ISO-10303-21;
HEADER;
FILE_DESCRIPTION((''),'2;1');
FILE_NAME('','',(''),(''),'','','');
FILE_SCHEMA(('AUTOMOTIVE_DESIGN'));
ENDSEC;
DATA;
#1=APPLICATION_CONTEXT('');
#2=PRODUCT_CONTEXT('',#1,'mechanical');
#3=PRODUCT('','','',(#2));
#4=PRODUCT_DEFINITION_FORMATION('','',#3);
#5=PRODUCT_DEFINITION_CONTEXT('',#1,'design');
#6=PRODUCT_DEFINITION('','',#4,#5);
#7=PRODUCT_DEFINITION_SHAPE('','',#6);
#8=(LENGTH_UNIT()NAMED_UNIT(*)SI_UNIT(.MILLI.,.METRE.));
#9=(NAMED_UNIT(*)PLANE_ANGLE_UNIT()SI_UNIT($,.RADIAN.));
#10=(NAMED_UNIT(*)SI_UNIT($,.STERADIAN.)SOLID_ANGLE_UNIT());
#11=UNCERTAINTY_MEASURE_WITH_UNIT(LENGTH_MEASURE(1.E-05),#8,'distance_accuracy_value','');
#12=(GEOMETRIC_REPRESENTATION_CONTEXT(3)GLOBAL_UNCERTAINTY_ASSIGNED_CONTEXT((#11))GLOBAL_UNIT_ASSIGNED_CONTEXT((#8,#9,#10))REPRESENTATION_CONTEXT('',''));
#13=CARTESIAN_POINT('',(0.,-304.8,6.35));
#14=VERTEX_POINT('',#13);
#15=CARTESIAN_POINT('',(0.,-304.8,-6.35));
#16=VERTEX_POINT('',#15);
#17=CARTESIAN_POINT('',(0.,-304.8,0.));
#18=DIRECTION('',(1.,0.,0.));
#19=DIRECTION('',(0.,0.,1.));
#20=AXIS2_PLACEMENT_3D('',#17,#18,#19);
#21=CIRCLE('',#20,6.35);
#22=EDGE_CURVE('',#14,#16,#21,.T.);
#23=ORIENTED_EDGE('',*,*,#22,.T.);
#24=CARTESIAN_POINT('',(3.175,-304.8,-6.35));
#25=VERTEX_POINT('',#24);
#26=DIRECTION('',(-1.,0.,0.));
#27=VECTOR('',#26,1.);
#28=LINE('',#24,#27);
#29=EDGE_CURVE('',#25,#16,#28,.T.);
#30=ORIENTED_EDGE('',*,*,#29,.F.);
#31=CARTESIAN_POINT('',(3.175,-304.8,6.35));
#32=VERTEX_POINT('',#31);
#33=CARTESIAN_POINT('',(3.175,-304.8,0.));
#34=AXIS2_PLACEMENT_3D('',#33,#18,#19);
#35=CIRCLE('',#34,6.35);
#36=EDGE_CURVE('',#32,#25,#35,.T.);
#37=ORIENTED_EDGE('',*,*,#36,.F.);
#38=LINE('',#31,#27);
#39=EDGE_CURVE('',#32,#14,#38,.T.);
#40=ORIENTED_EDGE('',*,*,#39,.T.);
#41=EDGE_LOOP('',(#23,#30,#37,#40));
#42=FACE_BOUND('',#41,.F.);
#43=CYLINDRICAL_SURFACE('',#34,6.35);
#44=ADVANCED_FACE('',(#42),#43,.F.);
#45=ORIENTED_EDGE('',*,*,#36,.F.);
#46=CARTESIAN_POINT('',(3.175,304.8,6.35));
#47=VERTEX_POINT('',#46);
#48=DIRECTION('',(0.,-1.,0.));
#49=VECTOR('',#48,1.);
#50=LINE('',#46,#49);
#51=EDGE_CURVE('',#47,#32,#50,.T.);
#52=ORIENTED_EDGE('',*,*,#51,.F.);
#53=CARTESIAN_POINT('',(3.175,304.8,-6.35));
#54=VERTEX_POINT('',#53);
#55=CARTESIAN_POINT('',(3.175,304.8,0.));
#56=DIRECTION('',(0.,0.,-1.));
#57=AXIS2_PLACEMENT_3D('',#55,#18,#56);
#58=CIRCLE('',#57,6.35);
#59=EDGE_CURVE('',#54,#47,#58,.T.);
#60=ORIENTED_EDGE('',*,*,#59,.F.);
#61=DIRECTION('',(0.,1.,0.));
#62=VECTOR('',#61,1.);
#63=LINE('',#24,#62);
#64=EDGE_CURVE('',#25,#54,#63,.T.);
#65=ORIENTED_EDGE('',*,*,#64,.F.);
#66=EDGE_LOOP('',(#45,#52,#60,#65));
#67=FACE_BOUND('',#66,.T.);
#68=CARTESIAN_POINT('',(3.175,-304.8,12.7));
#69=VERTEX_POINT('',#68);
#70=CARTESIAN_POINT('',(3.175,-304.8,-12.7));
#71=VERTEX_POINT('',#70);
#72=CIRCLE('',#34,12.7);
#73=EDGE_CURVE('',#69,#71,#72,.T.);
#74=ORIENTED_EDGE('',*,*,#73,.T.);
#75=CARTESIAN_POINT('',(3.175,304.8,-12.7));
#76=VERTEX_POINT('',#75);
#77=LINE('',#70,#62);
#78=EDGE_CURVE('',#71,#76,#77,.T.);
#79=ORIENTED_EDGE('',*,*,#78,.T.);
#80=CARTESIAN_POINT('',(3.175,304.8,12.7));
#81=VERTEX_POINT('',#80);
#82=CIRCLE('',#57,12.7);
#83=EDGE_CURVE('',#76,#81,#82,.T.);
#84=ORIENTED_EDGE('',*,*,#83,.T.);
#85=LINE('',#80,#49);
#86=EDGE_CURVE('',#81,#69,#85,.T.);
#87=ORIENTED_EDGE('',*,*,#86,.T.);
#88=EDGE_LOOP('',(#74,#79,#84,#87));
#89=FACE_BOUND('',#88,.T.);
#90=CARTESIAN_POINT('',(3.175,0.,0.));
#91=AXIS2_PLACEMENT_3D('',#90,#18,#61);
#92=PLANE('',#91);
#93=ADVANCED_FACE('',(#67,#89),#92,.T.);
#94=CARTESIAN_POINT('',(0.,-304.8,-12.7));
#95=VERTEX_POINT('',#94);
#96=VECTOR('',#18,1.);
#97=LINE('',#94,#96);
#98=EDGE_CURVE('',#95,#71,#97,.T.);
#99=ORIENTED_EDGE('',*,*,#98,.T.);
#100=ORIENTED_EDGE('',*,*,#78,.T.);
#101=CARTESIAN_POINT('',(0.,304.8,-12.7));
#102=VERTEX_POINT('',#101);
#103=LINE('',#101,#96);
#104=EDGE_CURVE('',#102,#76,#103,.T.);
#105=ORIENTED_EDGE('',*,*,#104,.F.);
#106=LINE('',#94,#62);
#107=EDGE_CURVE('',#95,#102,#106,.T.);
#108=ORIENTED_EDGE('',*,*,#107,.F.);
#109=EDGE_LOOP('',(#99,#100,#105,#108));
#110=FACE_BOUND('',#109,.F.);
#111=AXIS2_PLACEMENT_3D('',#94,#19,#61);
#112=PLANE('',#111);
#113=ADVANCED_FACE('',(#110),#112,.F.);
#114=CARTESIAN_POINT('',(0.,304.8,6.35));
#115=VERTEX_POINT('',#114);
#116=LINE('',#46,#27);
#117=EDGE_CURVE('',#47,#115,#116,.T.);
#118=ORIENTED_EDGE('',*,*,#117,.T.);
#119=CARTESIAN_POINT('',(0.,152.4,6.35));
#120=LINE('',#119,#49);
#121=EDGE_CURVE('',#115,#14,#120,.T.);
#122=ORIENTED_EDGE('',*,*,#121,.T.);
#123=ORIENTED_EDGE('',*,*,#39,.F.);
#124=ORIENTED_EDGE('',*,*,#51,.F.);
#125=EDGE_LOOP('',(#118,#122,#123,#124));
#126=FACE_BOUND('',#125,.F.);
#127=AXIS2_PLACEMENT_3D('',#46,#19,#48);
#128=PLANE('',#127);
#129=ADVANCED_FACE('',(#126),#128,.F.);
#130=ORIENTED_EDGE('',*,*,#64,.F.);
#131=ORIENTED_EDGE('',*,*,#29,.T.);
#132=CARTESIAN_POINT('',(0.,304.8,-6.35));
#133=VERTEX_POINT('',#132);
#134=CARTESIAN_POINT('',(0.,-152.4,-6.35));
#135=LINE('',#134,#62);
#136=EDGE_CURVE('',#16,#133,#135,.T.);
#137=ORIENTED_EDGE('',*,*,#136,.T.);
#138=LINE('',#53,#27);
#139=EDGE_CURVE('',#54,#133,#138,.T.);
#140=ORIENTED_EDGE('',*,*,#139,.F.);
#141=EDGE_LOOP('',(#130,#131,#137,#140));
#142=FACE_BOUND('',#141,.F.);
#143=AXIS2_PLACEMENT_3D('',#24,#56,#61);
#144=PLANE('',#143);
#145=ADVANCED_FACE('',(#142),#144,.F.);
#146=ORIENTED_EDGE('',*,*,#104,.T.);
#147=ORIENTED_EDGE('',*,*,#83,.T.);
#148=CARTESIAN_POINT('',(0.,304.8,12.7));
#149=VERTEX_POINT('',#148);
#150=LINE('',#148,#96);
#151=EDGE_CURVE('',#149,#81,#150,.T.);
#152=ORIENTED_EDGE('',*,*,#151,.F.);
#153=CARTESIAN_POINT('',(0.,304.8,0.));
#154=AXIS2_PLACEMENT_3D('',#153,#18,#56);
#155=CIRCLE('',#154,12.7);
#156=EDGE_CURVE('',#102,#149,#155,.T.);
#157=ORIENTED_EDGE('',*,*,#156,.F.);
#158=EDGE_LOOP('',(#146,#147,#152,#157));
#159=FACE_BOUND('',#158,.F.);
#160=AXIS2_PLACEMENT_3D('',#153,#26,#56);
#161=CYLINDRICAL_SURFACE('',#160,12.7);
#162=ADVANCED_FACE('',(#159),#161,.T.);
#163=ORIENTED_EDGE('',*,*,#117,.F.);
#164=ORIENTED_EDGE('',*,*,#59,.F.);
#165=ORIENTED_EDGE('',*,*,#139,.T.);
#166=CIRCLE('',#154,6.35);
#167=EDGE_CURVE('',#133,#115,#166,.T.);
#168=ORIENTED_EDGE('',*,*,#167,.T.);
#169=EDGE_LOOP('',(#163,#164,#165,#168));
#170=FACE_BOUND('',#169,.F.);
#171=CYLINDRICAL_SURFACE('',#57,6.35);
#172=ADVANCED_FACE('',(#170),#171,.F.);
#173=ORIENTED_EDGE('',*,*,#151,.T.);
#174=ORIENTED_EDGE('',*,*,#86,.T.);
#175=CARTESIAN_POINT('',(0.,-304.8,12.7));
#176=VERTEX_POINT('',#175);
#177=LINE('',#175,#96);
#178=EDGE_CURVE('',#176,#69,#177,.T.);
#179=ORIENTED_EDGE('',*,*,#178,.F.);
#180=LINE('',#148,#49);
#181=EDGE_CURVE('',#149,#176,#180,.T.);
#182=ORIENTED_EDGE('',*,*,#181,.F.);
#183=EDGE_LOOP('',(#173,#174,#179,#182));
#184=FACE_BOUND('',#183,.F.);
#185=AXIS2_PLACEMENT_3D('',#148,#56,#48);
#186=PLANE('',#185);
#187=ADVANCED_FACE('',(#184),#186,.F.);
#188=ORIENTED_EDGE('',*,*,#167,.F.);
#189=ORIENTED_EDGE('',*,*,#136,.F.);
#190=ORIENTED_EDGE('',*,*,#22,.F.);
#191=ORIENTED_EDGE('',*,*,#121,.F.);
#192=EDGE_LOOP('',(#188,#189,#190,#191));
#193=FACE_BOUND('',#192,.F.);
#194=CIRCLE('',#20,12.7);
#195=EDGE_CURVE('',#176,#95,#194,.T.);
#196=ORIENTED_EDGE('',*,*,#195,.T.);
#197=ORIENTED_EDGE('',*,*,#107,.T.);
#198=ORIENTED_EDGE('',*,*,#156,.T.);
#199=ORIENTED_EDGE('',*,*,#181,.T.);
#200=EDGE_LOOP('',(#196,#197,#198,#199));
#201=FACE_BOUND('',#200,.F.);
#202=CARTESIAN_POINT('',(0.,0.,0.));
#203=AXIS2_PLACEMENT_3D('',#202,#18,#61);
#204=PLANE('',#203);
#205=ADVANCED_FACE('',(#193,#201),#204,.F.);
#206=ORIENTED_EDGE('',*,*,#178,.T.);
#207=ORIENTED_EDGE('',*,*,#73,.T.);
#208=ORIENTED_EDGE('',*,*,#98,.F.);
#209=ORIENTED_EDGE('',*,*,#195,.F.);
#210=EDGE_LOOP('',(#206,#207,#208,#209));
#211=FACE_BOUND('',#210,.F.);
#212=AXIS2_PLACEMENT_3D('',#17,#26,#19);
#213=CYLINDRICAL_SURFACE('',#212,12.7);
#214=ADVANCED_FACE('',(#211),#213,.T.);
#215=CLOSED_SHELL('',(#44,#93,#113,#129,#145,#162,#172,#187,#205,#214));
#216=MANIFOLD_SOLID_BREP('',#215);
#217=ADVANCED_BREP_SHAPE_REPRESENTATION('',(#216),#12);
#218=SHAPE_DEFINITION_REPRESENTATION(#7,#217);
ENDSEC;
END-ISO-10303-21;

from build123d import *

# Parameters (mm, degrees)
F1_DEPTH = 3.175
F3_DEPTH = 209.804


with BuildPart() as f1:
    # F0 (on Right) → F1 (new body)
    with BuildSketch(Plane.YZ):
        with BuildLine():
            Line((304.8, 12.7), (0, 12.7))
            Line((0, 12.7), (-304.8, 12.7))
            ThreePointArc((-304.8, 12.7), (-317.5, 0), (-304.8, -12.7))
            Line((-304.8, -12.7), (0, -12.7))
            Line((0, -12.7), (304.8, -12.7))
            ThreePointArc((304.8, -12.7), (317.5, 0), (304.8, 12.7))
        make_face()
    extrude(amount=F1_DEPTH)

    # F2 (on face) → F3 (cut)
    with BuildSketch(Plane.YZ.offset(3.175)):
        with BuildLine():
            ThreePointArc((-304.8, 6.35), (-311.15, 0), (-304.8, -6.35))
            Line((-304.8, -6.35), (304.8, -6.35))
            ThreePointArc((304.8, -6.35), (311.15, 0), (304.8, 6.35))
            Line((304.8, 6.35), (-304.8, 6.35))
        make_face()
    extrude(amount=-F3_DEPTH, mode=Mode.SUBTRACT)


solid = f1.part
